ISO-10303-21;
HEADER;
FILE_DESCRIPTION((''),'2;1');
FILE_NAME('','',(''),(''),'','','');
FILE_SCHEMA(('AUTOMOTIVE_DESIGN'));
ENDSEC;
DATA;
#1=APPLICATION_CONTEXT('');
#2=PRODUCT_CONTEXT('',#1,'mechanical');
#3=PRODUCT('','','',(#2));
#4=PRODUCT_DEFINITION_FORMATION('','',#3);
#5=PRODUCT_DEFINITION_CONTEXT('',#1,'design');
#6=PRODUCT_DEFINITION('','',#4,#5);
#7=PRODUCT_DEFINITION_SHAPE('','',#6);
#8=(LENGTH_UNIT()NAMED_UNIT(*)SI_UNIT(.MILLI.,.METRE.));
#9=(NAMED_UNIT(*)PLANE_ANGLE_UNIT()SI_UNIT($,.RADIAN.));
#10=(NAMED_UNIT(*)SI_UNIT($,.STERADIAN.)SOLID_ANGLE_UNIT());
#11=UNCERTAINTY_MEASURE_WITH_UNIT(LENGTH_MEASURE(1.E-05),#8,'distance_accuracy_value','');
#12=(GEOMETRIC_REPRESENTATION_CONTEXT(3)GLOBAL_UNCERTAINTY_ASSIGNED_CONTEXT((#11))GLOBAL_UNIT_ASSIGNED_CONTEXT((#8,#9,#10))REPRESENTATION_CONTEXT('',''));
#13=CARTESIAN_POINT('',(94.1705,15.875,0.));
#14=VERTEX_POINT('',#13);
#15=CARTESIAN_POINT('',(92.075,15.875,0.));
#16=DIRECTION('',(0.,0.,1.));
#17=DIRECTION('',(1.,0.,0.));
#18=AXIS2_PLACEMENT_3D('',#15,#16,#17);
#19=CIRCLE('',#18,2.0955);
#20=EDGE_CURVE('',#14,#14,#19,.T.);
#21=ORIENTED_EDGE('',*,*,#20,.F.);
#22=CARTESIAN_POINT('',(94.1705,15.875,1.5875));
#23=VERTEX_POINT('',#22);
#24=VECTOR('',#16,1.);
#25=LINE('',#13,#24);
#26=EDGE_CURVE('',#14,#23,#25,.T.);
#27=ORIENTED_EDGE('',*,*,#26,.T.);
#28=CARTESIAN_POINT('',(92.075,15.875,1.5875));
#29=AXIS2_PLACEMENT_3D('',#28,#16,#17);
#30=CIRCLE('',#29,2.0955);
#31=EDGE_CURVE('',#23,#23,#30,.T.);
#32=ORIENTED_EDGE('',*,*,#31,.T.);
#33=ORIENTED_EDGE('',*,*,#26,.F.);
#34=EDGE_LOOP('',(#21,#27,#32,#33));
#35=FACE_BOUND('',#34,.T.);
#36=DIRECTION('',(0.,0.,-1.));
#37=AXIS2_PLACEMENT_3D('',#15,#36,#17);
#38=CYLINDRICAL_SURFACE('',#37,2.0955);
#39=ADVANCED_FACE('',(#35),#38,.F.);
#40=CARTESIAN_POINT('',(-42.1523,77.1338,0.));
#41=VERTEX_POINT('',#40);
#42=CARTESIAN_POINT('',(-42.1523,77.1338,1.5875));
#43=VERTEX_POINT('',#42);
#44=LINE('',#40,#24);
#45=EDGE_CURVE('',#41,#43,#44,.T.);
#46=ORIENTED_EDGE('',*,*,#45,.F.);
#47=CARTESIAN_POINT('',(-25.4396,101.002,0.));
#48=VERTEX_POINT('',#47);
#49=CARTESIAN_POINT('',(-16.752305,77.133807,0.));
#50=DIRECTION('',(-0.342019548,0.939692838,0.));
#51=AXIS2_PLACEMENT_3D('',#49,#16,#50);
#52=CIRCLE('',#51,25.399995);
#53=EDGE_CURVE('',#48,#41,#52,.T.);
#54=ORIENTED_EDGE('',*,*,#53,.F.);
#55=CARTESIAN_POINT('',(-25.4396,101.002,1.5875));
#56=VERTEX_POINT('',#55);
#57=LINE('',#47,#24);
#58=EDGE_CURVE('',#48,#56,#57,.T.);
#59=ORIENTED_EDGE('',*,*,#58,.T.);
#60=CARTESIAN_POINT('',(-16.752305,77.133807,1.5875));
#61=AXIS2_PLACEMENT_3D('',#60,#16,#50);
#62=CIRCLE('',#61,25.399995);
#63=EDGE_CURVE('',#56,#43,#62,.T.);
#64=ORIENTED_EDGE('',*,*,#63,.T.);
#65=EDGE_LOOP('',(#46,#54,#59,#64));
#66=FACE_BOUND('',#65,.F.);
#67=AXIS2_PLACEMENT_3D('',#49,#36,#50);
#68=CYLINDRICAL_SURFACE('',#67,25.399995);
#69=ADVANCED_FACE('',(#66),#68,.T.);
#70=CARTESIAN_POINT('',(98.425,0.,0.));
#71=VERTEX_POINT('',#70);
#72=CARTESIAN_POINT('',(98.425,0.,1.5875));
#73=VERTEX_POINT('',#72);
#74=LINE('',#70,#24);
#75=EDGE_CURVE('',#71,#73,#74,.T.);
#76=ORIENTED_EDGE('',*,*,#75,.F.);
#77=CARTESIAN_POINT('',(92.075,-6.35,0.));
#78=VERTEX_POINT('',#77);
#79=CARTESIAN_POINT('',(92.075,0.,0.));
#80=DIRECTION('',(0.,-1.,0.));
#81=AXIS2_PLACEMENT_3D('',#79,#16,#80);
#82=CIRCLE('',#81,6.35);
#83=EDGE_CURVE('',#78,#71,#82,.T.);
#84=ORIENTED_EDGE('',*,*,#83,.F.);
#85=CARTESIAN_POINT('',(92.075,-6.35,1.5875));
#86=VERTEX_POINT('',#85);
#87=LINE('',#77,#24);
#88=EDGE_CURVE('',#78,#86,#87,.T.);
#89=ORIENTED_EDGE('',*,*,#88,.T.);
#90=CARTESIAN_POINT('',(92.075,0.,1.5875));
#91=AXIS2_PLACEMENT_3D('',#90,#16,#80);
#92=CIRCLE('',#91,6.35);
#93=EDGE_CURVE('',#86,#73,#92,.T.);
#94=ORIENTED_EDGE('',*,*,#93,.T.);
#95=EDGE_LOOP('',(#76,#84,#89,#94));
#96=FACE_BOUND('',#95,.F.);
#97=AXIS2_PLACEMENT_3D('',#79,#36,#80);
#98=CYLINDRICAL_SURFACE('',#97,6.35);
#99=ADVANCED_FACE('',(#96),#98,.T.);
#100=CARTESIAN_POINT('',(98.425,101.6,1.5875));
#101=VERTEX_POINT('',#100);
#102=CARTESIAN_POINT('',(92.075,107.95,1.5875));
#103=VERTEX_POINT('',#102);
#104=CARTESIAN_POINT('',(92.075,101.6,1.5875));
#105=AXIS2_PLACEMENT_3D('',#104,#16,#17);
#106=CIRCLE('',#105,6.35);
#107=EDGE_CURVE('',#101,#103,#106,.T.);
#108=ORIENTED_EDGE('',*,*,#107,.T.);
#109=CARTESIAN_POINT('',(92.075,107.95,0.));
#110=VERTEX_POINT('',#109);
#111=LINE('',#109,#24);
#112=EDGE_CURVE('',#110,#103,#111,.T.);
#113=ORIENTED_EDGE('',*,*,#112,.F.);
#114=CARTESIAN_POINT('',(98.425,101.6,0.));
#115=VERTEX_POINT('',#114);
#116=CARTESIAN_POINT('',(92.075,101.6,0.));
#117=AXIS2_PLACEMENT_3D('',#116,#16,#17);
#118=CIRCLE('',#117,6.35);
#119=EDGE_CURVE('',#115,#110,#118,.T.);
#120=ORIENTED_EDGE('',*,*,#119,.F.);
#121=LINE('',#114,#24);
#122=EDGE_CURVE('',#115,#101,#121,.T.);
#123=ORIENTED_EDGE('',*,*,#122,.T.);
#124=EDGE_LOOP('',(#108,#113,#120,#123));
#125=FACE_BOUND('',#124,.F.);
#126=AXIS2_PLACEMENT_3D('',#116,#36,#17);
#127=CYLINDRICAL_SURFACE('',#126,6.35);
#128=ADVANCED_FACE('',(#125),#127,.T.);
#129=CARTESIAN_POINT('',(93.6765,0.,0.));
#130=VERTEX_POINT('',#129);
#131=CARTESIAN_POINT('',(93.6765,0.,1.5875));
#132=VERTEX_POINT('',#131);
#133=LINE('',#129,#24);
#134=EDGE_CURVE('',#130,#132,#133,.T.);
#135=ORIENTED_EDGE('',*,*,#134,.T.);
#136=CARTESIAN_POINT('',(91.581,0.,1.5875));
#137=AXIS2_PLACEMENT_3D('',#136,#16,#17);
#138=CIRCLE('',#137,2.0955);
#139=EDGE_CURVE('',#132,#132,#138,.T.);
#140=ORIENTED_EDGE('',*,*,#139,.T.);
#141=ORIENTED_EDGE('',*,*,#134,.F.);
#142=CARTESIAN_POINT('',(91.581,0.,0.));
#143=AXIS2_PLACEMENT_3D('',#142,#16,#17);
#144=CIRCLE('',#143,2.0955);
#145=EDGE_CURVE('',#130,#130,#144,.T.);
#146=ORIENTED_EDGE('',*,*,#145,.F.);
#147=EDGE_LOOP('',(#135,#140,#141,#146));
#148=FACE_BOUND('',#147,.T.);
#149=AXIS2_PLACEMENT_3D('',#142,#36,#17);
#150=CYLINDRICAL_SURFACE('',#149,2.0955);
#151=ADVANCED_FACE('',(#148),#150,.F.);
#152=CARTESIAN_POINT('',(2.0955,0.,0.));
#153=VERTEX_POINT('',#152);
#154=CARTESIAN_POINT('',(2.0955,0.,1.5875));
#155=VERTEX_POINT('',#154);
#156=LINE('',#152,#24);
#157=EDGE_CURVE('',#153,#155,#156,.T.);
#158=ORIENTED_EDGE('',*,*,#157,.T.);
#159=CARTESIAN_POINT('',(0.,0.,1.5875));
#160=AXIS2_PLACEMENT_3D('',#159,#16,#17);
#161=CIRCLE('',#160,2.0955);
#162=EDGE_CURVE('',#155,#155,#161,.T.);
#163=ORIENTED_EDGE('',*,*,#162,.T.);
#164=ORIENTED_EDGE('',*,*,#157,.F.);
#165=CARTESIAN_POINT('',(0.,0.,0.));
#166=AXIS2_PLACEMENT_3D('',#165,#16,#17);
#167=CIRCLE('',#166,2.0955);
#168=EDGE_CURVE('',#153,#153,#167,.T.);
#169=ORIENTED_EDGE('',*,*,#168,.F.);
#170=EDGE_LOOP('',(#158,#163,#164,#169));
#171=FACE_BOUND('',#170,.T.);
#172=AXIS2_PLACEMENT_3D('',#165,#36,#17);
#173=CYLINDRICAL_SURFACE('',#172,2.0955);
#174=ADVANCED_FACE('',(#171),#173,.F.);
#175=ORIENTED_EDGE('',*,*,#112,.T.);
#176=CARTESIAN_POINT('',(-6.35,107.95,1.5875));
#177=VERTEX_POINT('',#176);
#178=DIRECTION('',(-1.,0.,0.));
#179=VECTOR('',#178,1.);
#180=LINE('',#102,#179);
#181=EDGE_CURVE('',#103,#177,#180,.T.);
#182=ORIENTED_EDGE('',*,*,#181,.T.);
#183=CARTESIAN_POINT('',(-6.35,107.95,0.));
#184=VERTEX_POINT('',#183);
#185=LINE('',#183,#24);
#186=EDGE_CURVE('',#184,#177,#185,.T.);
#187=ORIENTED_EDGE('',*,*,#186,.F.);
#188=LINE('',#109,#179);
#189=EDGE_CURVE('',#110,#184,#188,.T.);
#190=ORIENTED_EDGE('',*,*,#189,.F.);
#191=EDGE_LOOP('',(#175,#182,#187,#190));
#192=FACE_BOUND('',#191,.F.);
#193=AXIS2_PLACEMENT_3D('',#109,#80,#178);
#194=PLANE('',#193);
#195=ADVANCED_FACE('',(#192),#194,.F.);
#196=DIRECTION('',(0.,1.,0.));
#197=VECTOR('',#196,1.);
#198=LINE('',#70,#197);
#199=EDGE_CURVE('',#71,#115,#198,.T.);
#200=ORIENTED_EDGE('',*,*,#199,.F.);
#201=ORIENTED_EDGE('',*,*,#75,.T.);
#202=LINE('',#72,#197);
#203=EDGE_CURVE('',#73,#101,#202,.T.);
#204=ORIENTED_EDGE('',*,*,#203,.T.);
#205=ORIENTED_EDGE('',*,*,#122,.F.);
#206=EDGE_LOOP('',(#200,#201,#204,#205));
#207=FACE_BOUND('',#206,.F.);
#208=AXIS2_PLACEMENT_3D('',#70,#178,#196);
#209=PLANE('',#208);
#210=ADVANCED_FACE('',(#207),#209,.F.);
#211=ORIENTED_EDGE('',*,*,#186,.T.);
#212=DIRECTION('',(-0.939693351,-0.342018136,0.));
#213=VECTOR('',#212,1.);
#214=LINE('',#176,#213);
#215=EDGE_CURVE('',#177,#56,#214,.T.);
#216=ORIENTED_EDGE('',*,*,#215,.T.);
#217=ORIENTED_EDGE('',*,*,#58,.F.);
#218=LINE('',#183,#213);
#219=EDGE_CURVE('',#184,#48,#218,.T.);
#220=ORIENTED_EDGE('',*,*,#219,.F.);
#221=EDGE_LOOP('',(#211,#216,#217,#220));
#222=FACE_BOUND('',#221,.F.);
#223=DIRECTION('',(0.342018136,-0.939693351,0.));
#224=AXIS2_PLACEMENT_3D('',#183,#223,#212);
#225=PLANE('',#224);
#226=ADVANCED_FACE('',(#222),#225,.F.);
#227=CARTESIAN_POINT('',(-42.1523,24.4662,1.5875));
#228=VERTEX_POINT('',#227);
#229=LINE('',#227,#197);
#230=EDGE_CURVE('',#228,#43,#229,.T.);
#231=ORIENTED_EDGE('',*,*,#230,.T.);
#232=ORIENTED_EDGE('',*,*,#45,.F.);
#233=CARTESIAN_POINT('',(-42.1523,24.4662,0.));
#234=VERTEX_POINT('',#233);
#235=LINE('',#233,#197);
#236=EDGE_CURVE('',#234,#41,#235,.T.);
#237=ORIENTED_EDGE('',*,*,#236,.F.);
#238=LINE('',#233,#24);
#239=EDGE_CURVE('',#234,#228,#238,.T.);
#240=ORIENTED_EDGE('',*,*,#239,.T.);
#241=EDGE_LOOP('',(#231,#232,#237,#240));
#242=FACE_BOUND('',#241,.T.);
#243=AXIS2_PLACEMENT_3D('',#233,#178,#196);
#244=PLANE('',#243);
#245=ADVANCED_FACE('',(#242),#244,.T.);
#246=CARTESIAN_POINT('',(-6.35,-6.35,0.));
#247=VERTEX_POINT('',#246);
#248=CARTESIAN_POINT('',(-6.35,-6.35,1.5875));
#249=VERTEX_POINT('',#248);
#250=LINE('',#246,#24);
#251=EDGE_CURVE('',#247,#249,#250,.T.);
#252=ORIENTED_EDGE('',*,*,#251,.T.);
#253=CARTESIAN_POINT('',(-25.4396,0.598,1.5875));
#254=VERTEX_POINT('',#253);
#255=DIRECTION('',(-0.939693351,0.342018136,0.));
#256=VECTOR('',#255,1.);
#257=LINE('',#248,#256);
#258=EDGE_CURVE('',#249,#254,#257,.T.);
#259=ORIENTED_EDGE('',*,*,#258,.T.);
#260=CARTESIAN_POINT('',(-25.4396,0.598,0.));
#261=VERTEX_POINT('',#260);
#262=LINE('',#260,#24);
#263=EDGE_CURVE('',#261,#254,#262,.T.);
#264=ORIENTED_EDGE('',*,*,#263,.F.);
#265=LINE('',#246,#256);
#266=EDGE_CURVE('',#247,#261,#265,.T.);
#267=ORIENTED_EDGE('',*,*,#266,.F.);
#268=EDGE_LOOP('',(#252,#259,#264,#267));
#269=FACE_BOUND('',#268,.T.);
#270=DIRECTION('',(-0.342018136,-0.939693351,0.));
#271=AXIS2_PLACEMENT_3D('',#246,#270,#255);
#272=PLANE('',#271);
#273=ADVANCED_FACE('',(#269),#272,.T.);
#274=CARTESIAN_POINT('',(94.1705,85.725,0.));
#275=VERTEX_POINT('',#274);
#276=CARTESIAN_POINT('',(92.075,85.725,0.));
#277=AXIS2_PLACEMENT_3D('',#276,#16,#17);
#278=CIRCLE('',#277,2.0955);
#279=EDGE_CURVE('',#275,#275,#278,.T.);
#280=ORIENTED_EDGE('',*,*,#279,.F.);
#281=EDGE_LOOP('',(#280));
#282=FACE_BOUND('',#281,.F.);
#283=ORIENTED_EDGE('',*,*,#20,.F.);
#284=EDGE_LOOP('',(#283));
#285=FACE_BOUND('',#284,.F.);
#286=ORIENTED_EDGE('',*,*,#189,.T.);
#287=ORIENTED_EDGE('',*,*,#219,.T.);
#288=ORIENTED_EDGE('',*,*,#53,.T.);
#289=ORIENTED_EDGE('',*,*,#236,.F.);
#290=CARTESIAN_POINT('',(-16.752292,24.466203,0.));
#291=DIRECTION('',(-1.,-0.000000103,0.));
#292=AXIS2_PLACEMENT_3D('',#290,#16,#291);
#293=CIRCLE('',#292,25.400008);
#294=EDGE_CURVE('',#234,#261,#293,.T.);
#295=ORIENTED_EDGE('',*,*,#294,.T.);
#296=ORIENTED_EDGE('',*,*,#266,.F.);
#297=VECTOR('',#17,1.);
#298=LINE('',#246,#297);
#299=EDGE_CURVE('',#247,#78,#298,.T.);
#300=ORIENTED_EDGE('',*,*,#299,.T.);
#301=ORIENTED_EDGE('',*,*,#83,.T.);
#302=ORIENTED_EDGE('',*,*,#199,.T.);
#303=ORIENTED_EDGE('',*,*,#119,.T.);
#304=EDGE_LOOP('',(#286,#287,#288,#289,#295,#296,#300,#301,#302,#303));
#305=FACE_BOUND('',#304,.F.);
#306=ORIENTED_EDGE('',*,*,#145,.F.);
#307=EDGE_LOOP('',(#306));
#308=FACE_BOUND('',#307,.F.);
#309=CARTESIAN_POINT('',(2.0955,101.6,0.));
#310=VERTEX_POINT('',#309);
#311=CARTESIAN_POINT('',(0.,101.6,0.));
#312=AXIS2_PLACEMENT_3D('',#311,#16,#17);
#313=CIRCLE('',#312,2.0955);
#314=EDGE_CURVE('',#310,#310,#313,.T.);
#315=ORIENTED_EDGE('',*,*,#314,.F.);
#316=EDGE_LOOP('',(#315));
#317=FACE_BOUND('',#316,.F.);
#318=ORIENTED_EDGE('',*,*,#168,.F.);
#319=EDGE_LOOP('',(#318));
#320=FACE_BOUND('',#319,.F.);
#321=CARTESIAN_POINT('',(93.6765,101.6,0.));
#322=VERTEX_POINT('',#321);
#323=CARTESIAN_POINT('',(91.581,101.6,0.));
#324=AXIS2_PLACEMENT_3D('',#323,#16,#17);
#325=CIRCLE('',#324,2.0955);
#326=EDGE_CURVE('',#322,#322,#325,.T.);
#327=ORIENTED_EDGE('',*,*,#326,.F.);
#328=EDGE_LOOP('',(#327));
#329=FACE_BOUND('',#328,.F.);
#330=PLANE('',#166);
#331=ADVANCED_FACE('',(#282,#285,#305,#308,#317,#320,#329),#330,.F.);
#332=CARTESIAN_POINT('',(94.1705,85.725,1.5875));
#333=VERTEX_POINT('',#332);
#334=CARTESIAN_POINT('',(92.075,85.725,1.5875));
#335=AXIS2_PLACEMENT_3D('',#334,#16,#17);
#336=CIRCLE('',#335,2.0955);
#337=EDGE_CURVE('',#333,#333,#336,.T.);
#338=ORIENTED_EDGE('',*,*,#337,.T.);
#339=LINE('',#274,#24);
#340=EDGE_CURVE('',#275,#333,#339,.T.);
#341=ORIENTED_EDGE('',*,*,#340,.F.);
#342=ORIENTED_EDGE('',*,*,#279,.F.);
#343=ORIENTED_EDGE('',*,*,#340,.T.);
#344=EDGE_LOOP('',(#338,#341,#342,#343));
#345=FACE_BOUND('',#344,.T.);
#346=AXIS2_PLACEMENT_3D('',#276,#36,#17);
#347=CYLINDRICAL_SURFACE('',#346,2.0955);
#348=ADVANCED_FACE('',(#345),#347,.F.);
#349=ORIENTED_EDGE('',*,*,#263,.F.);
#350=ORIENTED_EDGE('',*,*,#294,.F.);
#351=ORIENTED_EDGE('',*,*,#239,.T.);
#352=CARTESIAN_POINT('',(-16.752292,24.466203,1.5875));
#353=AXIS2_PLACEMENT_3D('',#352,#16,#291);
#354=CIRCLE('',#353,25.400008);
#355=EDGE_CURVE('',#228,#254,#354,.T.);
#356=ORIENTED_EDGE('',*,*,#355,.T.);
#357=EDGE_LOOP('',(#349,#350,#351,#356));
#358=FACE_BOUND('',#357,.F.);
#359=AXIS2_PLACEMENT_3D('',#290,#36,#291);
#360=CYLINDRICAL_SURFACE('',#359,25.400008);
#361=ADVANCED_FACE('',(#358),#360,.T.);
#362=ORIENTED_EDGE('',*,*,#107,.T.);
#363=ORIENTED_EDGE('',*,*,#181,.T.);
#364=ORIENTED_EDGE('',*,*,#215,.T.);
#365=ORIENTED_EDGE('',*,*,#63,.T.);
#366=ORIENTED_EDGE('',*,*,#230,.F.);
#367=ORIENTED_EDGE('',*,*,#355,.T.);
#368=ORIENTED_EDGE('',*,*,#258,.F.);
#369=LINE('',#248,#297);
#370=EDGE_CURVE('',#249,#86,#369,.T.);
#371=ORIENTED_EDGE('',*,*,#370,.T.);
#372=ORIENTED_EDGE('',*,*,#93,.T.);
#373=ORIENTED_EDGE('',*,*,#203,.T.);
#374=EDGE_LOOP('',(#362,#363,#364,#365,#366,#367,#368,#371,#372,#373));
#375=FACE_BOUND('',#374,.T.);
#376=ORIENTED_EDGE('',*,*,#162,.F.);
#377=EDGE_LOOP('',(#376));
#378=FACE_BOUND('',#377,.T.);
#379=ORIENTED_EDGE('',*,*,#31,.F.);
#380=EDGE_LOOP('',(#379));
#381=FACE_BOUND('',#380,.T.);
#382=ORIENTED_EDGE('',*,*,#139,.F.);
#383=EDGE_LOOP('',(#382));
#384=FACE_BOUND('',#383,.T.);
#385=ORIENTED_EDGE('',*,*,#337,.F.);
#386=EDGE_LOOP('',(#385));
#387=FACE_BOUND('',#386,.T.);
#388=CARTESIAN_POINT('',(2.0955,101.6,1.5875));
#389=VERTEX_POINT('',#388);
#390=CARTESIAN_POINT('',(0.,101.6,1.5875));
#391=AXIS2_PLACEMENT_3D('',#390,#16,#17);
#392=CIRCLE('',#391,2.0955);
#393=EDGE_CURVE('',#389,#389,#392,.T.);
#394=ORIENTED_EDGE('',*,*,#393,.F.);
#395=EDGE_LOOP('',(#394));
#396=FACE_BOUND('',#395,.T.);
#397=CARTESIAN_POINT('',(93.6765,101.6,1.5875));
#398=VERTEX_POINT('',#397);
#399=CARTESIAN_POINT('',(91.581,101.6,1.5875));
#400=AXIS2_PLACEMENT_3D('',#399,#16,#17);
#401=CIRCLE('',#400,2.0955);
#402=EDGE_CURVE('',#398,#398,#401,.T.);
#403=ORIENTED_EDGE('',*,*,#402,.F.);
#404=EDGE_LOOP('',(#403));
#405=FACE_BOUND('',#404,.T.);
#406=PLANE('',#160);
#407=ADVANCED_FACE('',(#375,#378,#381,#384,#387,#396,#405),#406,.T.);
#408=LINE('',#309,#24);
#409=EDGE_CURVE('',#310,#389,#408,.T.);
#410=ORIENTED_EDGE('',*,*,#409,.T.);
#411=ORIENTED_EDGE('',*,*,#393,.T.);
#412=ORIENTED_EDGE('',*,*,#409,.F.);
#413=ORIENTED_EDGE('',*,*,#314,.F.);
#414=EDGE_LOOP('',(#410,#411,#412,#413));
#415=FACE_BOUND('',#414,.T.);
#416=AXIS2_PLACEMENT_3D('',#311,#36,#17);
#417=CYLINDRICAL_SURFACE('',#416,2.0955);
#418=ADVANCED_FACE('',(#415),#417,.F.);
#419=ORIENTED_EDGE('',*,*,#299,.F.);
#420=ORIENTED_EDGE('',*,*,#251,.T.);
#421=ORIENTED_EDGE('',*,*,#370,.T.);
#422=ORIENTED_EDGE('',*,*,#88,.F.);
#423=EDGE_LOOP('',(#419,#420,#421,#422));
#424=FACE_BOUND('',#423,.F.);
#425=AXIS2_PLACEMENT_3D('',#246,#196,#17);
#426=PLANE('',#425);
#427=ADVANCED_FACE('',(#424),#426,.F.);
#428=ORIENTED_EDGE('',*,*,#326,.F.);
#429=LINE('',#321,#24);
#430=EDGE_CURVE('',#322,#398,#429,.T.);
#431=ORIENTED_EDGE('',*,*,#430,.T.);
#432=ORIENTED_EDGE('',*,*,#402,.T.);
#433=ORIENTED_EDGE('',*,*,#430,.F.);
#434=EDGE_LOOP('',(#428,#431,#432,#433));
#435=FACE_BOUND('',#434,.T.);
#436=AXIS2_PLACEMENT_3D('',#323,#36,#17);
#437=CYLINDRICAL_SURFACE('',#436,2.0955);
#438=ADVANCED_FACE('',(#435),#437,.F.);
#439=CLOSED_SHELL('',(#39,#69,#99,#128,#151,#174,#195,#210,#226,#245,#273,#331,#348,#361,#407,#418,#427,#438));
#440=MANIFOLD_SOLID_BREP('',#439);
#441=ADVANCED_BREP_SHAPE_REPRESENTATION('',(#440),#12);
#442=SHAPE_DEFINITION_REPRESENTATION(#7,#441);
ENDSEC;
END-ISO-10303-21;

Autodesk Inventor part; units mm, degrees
ref_plane "YZ Plane" through (0, 0, 0) normal (1, 0, 0) x (0, 1, 0)
ref_plane "XZ Plane" through (0, 0, 0) normal (0, 1, 0) x (-1, 0, 0)
ref_plane "XY Plane" through (0, 0, 0) normal (0, 0, 1) x (1, 0, 0)
sketch "Sketch1" plane through (0, 0, 0) normal (0, 0, 1) x (1, 0, 0)
  circle A0 centre (0, 0) radius 2.0955
  circle A1 centre (91.581, 0) radius 2.0955
  circle A2 centre (0, 101.6) radius 2.0955
  circle A3 centre (91.581, 101.6) radius 2.0955
  line L0 (-6.35, -6.35) -> (92.075, -6.35)
  line L1 (98.425, 0) -> (98.425, 101.6)
  line L2 (92.075, 107.95) -> (-6.35, 107.95)
  line L3 (-6.35, 107.95) -> (-25.4396, 101.002)
  line L4 (-6.35, -6.35) -> (-25.4396, 0.598)
  line L5 (-6.35, -6.35) -> (13.9647, -6.35) construction
  line L6 (-42.1523, 24.4662) -> (-42.1523, 77.1338)
  arc A4 (-25.4396, 101.002) -> (-42.1523, 77.1338) centre (-16.7523, 77.1338) ccw
  arc A5 (-42.1523, 24.4662) -> (-25.4396, 0.598) centre (-16.7523, 24.4662) ccw
  arc A6 (98.425, 101.6) -> (92.075, 107.95) centre (92.075, 101.6) ccw
  arc A7 (92.075, -6.35) -> (98.425, 0) centre (92.075, 0) ccw
  circle A8 centre (92.075, 85.725) radius 2.0955
  circle A9 centre (92.075, 15.875) radius 2.0955
  point P0 (98.425, -6.35)
  point P1 (98.425, 107.95)
  point P2 (-42.1523, 94.919)
  point P3 (-42.1523, 6.681)
  dimension "d0" = 4.191
  dimension "d1" = 4.191
  dimension "d2" = 4.191
  dimension "d3" = 4.191
  dimension "d4" = 104.775
  dimension "d5" = 114.3
  dimension "d6" = 38.1
  dimension "d7" = 160
  dimension "d8" = 38.1
  dimension "d9" = 160
  dimension "d10" = 25.4
  dimension "d11" = 6.35
  dimension "d12" = 4.191
  dimension "d13" = 4.191
extrude "Extrusion1" add sketch "Sketch1" along normal blind 1.5875
properties part number "ramp" material "Acetal Resin, White"
